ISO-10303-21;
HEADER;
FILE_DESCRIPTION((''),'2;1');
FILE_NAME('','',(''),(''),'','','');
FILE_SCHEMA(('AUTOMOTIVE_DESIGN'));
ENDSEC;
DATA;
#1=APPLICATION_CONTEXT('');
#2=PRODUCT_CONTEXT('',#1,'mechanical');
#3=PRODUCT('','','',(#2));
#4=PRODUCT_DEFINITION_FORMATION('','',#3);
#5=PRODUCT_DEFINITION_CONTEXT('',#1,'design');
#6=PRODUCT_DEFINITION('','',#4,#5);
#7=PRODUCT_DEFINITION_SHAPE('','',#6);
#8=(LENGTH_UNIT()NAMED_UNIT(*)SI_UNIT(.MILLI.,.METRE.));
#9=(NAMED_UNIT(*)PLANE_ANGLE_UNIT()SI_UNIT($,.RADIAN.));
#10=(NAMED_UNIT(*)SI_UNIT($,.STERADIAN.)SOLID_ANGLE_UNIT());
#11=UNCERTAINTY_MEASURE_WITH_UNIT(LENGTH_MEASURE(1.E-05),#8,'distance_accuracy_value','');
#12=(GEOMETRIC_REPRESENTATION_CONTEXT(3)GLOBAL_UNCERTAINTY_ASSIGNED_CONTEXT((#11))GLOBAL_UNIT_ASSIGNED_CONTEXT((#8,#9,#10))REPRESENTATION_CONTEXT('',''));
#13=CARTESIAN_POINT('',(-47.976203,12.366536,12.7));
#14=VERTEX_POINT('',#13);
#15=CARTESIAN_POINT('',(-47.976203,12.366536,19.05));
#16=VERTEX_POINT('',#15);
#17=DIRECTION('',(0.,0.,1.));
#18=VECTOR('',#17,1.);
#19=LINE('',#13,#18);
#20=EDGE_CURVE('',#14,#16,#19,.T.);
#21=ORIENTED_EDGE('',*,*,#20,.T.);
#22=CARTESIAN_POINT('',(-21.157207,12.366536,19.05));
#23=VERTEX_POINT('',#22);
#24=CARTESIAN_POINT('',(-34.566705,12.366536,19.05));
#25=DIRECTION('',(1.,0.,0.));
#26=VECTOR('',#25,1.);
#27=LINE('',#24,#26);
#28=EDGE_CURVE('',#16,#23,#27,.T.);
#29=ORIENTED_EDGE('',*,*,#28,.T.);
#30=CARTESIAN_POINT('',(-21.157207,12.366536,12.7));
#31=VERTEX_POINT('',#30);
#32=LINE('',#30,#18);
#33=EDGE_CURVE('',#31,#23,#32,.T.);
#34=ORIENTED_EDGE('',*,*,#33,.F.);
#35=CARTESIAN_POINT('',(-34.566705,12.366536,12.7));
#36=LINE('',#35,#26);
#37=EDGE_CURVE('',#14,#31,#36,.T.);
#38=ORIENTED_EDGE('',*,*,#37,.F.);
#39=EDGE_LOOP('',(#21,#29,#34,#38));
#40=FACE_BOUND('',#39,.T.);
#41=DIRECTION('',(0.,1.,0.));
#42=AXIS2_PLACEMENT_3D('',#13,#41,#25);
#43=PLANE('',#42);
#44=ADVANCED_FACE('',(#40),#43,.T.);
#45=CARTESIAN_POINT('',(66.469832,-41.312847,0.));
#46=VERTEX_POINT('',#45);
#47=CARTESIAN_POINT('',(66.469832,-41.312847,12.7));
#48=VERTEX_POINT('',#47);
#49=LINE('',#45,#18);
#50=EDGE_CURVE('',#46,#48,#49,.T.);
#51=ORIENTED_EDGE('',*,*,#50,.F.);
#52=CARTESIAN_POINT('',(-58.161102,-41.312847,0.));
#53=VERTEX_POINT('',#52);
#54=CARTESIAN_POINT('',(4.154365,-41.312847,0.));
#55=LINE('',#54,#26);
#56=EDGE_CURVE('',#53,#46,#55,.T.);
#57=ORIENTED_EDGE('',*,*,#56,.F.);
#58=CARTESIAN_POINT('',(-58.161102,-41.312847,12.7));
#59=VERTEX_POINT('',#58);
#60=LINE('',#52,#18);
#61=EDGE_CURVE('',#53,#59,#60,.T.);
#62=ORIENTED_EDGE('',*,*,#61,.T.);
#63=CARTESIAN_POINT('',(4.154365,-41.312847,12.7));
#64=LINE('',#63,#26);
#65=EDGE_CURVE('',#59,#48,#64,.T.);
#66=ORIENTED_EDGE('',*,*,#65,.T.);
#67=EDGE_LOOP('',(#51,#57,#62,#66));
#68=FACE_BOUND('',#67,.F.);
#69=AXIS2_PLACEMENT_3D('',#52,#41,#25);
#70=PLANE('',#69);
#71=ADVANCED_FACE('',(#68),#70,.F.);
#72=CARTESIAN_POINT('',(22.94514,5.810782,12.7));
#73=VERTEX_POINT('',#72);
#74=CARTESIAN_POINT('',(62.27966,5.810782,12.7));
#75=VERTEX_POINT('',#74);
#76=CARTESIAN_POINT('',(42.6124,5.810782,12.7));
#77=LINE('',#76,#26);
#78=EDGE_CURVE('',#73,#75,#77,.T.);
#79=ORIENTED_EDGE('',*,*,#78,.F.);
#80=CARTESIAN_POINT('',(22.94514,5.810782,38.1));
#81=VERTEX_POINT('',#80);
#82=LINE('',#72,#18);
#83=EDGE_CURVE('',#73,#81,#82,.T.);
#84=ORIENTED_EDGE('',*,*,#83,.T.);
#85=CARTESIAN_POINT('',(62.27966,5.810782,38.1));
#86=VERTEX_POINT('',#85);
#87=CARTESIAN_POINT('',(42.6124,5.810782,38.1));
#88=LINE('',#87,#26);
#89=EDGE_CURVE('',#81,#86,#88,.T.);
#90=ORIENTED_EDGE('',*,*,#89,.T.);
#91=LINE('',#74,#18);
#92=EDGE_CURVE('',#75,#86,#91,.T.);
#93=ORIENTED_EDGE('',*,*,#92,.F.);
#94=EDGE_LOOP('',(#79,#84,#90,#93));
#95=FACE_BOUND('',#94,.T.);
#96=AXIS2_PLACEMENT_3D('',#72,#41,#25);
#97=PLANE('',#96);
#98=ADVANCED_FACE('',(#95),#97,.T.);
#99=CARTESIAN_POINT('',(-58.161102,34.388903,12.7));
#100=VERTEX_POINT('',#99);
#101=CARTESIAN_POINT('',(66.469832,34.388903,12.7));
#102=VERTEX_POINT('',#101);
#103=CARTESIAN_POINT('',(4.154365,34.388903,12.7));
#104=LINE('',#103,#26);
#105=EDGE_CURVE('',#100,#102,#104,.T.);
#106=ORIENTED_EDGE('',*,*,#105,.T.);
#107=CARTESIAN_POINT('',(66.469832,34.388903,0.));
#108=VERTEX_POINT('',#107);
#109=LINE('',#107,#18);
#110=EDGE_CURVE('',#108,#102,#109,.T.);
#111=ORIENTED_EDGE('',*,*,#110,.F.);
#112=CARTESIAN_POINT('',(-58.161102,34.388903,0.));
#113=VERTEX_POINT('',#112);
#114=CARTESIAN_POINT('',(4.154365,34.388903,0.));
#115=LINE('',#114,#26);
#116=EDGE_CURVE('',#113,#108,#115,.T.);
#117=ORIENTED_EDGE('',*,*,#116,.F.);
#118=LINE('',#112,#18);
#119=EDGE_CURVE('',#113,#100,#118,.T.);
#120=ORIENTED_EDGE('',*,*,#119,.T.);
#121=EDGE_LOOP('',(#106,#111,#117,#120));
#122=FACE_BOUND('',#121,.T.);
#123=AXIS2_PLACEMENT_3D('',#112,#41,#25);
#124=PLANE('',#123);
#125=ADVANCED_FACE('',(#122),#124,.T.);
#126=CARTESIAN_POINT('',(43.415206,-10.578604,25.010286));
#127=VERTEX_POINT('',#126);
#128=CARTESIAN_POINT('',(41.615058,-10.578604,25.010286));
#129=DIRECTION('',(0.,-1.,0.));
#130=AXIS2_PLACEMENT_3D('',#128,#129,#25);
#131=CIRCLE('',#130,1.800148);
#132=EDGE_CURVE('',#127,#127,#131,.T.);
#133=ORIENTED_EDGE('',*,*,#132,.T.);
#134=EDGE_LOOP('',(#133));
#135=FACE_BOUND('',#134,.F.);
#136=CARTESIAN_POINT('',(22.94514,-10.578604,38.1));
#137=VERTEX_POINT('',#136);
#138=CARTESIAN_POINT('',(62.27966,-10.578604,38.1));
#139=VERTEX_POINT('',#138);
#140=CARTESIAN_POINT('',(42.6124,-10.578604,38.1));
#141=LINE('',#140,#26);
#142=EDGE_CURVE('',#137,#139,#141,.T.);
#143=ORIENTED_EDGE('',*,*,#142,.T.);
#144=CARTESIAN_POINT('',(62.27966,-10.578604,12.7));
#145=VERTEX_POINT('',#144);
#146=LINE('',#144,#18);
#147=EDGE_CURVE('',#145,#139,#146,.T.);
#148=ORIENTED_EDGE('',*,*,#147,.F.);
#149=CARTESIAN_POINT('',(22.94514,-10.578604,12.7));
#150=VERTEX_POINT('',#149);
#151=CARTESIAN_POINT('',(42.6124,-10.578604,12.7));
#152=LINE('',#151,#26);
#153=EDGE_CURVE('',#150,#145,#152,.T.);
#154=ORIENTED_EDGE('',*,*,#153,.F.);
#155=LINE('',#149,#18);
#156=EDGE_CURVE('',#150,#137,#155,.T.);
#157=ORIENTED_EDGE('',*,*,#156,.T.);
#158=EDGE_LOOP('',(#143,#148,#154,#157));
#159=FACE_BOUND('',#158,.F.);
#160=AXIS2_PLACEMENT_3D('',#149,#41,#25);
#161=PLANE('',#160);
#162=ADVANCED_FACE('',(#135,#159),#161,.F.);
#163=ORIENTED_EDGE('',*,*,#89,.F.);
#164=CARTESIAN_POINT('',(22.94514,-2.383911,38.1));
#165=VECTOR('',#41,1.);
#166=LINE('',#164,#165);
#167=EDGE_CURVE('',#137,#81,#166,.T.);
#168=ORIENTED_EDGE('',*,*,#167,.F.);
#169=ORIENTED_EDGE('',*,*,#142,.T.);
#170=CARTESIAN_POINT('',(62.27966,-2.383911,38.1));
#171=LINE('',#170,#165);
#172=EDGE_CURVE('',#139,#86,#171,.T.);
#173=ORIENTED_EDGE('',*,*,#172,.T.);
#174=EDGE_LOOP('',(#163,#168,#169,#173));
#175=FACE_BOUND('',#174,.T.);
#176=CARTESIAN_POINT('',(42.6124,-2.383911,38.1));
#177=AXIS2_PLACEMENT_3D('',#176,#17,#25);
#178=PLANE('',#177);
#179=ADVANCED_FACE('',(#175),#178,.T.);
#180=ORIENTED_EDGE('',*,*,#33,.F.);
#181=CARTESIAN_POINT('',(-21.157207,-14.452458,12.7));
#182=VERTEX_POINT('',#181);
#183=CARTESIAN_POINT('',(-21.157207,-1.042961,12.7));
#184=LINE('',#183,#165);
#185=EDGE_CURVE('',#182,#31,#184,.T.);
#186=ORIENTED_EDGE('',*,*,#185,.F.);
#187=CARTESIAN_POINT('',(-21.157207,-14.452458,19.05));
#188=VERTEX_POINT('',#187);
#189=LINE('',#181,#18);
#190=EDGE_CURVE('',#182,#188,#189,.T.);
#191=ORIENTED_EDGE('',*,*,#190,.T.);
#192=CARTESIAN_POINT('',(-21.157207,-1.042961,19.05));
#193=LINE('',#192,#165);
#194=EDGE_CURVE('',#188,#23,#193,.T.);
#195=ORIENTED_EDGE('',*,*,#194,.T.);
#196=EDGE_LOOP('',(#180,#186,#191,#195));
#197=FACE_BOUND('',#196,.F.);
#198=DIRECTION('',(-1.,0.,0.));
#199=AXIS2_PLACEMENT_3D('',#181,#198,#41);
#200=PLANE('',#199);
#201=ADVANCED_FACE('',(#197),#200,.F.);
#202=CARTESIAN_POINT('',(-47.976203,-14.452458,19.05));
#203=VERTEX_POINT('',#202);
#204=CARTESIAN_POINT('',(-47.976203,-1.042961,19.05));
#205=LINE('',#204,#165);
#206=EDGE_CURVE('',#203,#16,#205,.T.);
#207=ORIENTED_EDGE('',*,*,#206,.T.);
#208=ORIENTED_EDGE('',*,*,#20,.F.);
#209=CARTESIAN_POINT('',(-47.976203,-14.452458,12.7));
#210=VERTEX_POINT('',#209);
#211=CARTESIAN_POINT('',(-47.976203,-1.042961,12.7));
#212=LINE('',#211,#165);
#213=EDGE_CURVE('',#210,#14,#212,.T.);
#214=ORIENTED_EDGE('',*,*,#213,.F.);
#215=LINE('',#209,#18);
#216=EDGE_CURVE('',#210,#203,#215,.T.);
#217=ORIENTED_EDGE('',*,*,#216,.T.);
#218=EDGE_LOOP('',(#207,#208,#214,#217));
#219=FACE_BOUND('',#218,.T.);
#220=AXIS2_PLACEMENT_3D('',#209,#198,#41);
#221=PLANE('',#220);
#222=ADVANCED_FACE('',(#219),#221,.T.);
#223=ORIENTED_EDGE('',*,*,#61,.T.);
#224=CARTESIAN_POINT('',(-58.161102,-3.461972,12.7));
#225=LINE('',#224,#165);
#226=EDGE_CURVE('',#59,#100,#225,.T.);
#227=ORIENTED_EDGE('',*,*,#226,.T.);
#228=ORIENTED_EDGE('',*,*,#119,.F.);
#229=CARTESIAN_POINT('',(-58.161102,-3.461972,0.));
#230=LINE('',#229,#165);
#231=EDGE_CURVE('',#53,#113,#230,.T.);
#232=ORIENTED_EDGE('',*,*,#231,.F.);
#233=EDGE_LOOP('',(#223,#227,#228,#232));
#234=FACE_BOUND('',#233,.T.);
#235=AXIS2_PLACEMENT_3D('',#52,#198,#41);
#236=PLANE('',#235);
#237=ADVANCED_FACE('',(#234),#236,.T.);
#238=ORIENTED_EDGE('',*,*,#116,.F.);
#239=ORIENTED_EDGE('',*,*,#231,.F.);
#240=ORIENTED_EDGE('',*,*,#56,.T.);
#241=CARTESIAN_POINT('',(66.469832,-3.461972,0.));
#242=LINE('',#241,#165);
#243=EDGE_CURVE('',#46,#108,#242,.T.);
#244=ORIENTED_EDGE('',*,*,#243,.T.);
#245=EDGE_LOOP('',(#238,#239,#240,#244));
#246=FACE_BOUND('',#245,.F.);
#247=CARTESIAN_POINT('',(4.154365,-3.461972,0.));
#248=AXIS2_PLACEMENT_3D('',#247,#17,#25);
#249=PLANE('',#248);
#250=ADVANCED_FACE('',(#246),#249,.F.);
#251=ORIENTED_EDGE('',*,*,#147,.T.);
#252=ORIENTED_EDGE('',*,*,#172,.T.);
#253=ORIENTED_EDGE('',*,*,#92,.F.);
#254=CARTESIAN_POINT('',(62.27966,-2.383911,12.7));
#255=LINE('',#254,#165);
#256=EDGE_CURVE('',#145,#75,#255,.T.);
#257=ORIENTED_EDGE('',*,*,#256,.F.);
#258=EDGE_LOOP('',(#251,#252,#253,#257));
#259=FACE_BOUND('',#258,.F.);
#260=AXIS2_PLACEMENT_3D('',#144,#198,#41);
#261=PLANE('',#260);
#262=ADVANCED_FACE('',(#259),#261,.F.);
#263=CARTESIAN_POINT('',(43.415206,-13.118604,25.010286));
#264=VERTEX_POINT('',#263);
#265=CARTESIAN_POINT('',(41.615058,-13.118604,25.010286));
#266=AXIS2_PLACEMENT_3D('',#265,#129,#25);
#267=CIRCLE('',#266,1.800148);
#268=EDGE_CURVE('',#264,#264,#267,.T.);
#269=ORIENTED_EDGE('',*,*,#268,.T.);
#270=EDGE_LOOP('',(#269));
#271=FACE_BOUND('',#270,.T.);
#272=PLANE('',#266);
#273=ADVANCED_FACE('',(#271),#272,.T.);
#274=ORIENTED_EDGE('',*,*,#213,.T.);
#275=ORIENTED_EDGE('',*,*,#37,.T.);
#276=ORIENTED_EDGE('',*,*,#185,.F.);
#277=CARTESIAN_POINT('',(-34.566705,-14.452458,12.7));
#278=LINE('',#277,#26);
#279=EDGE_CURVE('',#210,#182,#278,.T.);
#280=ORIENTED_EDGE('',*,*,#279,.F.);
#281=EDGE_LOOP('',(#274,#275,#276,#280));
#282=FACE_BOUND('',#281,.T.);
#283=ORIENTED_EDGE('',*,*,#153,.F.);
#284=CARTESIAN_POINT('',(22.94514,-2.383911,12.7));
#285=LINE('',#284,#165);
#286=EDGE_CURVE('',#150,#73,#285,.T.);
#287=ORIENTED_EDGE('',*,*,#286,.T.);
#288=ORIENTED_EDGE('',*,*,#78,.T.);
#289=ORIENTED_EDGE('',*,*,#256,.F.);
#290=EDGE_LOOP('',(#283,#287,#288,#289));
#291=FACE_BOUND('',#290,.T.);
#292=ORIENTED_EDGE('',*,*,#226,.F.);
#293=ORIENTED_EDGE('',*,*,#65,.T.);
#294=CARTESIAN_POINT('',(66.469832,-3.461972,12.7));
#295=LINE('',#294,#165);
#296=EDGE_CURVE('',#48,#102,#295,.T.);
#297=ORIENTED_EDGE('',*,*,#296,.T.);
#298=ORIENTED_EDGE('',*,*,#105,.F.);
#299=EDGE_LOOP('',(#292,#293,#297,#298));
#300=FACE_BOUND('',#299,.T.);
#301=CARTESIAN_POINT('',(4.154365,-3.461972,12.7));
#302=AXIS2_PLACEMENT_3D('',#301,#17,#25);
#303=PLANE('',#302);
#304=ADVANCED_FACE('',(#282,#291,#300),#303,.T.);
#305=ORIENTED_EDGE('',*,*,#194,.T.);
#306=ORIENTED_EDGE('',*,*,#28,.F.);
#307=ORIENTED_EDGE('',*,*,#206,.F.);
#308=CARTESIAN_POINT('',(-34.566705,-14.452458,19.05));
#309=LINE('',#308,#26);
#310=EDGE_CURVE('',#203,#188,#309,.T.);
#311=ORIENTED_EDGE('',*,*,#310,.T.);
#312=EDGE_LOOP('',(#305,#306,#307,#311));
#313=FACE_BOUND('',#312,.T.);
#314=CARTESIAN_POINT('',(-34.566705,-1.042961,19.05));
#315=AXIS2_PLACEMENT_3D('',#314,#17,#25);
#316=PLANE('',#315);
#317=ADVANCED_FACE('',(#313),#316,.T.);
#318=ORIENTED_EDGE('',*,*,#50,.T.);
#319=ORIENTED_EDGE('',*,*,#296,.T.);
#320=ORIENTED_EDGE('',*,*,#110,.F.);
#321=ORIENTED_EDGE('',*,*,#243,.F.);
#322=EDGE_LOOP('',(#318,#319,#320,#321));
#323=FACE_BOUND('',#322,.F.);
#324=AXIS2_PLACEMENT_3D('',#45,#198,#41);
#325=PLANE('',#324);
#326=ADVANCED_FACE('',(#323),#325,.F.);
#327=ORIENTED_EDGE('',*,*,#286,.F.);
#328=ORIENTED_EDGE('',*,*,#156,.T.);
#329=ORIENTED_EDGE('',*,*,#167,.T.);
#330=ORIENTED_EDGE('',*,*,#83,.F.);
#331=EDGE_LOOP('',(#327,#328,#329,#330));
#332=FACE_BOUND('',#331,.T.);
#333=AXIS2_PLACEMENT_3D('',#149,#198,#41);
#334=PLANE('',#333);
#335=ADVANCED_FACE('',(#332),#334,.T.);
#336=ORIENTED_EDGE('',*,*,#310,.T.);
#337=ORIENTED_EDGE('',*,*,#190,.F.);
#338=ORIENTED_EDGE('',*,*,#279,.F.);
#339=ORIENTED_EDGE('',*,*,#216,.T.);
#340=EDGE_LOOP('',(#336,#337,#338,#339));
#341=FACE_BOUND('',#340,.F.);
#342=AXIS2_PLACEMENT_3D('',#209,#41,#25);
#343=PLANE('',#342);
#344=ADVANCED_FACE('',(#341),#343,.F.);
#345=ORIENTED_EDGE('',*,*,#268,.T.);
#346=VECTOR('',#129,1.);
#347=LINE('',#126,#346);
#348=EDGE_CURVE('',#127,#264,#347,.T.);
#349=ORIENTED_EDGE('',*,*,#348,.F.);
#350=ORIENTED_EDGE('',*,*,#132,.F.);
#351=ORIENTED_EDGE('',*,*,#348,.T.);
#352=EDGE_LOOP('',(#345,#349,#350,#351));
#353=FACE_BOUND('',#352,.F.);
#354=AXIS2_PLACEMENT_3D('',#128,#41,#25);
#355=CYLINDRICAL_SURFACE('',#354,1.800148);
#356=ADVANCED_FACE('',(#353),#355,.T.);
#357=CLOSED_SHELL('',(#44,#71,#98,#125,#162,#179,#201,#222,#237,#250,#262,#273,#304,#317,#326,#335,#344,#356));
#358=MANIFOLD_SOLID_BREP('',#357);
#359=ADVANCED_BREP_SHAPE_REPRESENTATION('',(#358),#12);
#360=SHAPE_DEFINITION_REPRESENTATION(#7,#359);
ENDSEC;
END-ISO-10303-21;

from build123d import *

# Parameters (mm, degrees)
F0_W     = 124.630935
F0_H     = 75.701751
F1_DEPTH = 12.7
F2_W     = 39.33452
F2_H     = 16.389386
F3_DEPTH = 25.4
F4_W     = 26.818996
F4_H     = 26.818994
F5_DEPTH = 6.35
F6_R     = 1.800148
F7_DEPTH = 2.54


with BuildPart() as f1:
    # F0 (on Top) → F1 (new body)
    with BuildSketch(Plane.XY):
        with Locations((4.154365, -3.461972)):
            Rectangle(F0_W, F0_H)
    extrude(amount=F1_DEPTH)

    # F2 (on face) → F3 (join)
    with BuildSketch(Plane.XY.offset(12.7)):
        with Locations((42.6124, -2.383911)):
            Rectangle(F2_W, F2_H)
    extrude(amount=F3_DEPTH)

    # F4 (on face) → F5 (join)
    with BuildSketch(Plane.XY.offset(12.7)):
        with Locations((-34.566705, -1.042961)):
            Rectangle(F4_W, F4_H)
    extrude(amount=F5_DEPTH)

    # F6 (on face) → F7 (join)
    with BuildSketch(Plane.XZ.offset(10.578604)):
        with Locations((41.615058, 25.010286)):
            Circle(F6_R)
    extrude(amount=F7_DEPTH)


solid = f1.part
